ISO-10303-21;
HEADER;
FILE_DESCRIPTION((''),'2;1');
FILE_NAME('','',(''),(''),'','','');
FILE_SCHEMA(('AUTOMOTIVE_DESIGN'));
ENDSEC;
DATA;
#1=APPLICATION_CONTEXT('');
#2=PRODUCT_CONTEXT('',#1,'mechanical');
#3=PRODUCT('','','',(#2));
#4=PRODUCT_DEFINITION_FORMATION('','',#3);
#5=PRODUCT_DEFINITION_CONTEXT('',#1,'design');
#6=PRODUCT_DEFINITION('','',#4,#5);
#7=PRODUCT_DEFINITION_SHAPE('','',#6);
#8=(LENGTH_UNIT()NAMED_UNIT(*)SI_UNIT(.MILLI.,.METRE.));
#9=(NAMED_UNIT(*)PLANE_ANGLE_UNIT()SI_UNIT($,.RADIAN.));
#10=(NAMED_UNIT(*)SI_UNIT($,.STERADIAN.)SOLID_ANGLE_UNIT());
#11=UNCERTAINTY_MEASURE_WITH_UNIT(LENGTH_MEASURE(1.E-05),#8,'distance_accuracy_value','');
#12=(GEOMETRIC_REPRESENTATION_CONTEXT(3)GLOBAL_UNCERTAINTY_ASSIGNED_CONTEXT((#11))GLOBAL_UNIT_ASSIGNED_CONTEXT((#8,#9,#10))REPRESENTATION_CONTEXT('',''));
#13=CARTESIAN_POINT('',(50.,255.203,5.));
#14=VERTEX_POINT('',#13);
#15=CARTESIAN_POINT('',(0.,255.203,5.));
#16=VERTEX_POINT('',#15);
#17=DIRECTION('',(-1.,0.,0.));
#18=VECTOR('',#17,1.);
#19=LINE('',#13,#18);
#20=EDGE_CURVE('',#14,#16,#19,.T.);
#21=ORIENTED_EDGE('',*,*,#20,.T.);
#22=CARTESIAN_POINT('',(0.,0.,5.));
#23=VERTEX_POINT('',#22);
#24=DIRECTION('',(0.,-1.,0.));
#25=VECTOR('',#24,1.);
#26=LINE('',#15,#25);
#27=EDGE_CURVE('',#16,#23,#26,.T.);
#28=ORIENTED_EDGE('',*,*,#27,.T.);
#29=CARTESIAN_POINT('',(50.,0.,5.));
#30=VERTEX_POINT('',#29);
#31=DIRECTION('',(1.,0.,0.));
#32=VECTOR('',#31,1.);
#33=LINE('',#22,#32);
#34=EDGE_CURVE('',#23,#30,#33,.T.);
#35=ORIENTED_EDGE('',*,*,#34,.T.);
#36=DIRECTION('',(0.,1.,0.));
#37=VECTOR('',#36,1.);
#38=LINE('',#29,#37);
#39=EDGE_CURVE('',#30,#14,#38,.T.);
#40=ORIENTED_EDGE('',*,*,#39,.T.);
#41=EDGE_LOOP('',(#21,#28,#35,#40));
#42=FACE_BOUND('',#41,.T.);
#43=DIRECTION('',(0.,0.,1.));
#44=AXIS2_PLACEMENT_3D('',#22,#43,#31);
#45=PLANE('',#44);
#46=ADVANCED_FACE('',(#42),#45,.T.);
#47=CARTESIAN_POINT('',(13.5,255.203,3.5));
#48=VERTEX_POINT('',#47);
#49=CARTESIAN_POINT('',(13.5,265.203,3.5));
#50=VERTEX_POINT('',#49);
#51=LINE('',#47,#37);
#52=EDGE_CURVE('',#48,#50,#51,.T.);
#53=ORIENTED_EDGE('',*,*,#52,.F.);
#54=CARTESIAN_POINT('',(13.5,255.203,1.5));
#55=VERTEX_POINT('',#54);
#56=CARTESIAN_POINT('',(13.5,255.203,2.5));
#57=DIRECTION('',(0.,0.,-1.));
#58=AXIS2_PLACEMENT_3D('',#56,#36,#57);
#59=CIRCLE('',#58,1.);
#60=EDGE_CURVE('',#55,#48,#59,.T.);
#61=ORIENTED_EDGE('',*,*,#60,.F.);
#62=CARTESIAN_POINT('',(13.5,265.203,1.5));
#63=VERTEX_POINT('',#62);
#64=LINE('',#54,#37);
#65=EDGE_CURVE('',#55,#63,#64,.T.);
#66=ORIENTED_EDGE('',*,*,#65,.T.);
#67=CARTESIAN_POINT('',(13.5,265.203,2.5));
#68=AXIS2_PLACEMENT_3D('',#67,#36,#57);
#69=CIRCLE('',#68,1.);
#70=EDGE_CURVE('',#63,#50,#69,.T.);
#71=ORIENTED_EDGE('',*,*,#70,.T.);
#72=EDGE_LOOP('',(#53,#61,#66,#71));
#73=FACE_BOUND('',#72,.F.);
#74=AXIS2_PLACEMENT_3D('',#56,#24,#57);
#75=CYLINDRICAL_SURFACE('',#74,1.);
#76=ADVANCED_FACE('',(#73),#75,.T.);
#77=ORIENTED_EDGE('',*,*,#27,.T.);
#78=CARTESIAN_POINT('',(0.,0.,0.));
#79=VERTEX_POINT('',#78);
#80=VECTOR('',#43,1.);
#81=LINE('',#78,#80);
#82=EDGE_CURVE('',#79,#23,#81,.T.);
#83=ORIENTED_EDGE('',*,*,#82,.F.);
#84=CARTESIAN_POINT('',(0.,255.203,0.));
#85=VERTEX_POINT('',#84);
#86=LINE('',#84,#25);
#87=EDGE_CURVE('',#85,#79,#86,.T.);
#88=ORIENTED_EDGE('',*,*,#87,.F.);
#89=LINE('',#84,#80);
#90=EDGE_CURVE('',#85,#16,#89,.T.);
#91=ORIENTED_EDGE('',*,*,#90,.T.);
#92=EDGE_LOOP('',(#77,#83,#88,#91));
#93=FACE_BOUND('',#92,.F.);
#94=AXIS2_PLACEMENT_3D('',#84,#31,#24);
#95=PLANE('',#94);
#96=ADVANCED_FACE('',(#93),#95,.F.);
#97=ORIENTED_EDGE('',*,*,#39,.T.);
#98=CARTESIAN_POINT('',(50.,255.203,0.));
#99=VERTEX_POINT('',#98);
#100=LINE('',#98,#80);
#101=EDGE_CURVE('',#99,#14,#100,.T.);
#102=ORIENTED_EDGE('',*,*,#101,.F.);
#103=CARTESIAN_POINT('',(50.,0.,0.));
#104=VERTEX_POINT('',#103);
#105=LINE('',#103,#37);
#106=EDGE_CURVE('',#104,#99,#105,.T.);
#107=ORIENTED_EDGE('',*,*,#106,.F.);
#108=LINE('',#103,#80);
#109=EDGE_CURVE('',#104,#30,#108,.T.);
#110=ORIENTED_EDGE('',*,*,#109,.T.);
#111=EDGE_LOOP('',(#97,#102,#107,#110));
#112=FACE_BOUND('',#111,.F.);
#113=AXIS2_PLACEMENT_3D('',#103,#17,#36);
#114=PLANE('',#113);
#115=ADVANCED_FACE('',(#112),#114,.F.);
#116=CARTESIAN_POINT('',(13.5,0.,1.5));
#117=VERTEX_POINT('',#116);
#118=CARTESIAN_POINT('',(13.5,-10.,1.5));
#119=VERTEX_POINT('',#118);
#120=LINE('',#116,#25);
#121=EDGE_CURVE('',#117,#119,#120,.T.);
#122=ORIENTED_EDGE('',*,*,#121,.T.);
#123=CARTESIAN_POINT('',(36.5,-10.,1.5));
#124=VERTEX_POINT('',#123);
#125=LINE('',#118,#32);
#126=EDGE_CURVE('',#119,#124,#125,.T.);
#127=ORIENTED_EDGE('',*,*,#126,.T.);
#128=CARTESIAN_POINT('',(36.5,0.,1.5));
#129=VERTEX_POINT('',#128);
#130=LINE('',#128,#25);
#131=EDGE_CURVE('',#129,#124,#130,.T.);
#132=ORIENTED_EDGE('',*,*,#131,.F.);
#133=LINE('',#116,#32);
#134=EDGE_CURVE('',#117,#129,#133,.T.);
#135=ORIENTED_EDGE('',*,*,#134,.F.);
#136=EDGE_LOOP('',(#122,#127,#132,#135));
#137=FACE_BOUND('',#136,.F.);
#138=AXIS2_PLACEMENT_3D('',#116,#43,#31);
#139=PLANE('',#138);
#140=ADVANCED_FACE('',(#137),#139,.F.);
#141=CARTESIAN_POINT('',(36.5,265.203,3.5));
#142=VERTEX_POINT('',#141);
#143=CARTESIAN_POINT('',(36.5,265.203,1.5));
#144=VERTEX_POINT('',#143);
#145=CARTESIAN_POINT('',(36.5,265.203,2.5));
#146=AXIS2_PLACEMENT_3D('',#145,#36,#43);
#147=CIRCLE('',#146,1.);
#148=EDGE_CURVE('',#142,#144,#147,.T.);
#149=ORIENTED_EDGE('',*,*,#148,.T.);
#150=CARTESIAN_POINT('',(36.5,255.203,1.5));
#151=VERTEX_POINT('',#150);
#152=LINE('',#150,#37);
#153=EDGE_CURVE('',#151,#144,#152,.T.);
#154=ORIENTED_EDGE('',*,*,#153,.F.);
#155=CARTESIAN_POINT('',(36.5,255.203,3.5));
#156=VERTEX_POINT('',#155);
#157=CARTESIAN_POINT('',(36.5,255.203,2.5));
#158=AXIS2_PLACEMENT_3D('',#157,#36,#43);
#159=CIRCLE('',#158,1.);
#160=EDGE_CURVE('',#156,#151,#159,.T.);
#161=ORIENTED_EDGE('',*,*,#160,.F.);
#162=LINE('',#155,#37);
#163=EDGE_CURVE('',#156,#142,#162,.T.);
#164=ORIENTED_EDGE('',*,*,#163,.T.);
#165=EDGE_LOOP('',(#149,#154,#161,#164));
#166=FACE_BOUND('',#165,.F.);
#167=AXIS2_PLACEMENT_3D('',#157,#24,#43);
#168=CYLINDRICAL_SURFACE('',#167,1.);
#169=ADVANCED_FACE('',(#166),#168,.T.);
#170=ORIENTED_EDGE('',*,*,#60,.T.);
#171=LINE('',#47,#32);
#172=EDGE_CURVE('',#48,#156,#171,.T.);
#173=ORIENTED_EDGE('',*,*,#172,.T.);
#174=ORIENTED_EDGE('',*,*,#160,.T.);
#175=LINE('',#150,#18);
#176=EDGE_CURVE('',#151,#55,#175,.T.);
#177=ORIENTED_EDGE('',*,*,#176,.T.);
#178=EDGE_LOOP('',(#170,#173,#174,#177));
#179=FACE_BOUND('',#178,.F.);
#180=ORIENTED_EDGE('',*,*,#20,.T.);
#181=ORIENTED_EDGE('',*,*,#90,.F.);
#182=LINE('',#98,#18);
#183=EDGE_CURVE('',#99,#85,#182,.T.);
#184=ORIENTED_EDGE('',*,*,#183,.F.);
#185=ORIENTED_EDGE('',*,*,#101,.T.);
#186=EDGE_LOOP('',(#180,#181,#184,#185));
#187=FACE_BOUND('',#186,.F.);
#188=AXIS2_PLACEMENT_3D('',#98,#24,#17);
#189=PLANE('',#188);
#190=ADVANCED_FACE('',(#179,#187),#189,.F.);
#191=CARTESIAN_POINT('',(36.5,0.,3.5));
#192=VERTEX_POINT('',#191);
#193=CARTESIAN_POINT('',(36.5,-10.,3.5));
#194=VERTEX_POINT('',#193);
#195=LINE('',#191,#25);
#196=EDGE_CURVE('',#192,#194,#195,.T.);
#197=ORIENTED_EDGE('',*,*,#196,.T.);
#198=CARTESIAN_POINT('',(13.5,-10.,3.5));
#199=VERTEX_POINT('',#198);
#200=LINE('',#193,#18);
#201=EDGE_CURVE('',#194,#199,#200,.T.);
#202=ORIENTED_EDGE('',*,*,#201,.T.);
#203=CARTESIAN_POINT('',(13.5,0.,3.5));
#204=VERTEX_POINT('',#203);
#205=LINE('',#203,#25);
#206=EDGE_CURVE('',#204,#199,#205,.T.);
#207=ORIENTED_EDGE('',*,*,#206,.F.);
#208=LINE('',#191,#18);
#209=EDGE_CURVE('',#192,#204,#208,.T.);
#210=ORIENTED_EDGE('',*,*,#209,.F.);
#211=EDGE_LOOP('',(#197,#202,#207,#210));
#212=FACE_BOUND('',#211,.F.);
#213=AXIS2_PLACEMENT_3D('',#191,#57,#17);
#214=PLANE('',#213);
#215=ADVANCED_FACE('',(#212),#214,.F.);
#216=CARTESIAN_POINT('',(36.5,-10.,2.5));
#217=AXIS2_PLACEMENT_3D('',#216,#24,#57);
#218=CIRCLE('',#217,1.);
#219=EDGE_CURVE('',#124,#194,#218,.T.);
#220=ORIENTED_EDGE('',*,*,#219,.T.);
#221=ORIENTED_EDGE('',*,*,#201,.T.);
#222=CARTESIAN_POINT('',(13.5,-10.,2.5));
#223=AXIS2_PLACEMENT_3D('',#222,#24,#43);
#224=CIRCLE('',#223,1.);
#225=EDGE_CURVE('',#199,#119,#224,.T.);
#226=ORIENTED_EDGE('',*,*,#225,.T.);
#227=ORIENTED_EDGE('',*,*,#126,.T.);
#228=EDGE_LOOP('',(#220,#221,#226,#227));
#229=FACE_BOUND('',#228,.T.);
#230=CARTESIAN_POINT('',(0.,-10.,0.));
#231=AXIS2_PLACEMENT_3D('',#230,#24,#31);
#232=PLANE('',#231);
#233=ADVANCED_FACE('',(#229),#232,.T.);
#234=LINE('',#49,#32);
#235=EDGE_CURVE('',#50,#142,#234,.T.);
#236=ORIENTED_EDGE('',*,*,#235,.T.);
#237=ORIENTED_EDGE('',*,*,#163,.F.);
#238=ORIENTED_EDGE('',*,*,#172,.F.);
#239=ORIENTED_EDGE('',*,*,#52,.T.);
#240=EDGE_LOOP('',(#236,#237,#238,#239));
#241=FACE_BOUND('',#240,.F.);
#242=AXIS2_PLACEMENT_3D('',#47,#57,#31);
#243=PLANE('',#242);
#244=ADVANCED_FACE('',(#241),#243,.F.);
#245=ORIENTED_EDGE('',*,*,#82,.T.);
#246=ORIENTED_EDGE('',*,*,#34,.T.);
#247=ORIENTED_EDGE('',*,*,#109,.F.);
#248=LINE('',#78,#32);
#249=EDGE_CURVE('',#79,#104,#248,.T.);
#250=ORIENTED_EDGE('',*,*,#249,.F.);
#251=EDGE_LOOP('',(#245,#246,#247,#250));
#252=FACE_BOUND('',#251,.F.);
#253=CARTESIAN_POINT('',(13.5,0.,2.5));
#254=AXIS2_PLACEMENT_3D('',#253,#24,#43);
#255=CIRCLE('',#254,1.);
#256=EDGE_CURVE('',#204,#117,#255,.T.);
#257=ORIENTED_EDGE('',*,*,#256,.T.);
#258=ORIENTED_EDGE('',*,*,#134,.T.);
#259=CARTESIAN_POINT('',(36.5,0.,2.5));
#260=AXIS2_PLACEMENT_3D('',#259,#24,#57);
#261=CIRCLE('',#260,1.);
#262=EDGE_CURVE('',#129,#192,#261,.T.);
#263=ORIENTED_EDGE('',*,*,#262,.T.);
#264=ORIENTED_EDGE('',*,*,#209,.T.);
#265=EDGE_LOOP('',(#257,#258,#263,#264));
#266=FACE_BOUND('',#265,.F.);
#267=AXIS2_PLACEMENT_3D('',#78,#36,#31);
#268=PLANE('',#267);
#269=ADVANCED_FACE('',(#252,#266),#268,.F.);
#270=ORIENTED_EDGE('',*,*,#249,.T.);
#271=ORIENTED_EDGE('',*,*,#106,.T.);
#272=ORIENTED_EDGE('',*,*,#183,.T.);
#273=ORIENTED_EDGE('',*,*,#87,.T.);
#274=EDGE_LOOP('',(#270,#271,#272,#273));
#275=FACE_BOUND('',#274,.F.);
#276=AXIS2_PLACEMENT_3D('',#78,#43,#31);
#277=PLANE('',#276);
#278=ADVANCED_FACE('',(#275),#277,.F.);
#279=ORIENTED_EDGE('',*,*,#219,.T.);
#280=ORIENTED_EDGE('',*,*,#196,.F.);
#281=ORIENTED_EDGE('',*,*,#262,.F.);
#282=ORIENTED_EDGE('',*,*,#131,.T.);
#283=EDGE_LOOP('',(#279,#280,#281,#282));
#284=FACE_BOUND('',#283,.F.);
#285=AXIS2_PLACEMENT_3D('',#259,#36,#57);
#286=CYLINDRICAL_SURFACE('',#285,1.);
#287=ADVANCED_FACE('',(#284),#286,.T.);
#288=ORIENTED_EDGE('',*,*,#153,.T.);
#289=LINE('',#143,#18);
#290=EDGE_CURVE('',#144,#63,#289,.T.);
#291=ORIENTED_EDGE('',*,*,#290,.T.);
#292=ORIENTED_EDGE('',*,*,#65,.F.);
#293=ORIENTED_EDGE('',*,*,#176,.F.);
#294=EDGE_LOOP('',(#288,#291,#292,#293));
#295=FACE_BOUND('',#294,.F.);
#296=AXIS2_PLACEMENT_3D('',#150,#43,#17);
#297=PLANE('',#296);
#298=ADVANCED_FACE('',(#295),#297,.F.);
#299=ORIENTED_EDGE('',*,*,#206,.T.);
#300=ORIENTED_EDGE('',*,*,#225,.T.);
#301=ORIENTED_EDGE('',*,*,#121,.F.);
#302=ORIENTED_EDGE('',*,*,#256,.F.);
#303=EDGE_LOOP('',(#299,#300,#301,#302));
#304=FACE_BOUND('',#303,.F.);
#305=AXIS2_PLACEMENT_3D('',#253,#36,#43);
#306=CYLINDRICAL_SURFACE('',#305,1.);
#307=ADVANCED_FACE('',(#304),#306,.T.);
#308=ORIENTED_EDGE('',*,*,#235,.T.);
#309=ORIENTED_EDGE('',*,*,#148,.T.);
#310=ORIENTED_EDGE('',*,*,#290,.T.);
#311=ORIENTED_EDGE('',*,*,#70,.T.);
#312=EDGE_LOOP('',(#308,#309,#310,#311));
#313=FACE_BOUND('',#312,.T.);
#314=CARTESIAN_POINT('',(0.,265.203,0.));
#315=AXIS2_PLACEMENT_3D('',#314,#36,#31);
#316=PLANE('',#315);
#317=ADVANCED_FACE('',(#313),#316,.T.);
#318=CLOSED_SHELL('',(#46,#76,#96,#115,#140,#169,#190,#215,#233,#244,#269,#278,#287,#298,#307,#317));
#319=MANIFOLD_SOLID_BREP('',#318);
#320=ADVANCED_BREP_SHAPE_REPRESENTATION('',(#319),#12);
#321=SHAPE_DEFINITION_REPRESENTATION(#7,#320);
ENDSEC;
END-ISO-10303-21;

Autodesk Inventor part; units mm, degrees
ref_plane "YZ Plane" through (0, 0, 0) normal (1, 0, 0) x (0, 1, 0)
ref_plane "XZ Plane" through (0, 0, 0) normal (0, 1, 0) x (-1, 0, 0)
ref_plane "XY Plane" through (0, 0, 0) normal (0, 0, 1) x (1, 0, 0)
sketch "Sketch1" plane through (0, 0, 0) normal (0, 0, 1) x (1, 0, 0)
  line L0 (0, 0) -> (50, 0)
  line L1 (50, 0) -> (50, 255.203)
  line L2 (50, 255.203) -> (0, 255.203)
  line L3 (0, 255.203) -> (0, 0)
  dimension "d0" = 50
  dimension "d1" = 255.203
extrude "Extrusion1" add sketch "Sketch1" along normal blind 5
sketch "Sketch2" plane through (0, 0, 0) normal (0, -1, 0) x (1, 0, 0)
  line L0 (36.5, 2.5) -> (13.5, 2.5) construction
  line L1 (36.5, 3.5) -> (13.5, 3.5)
  line L2 (13.5, 1.5) -> (36.5, 1.5)
  arc A0 (36.5, 1.5) -> (36.5, 3.5) centre (36.5, 2.5) ccw
  arc A1 (13.5, 3.5) -> (13.5, 1.5) centre (13.5, 2.5) ccw
  line L3 (50, 0) -> (50, 5) projected
  point P0 (0, 0)
  point P1 (25, 2.5)
  point P2 (50, 2.5)
  point P3 (12.5, 2.5)
  point P4 (37.5, 2.5)
  dimension "d4" = 2
  dimension "d5" = 25
  dimension "d6" = 25
  dimension "d9" = 2.5
extrude "Extrusion2" add sketch "Sketch2" along normal blind 10
sketch "Sketch3" plane through (0, 255.203, 0) normal (0, 1, 0) x (1, 0, 0)
  line L0 (36.5, -2.5) -> (13.5, -2.5) construction
  line L1 (36.5, -1.5) -> (13.5, -1.5)
  line L2 (13.5, -3.5) -> (36.5, -3.5)
  arc A0 (36.5, -3.5) -> (36.5, -1.5) centre (36.5, -2.5) ccw
  arc A1 (13.5, -1.5) -> (13.5, -3.5) centre (13.5, -2.5) ccw
  point P0 (0, 0)
  point P1 (25, -2.5)
  point P2 (12.5, -2.5)
  point P3 (37.5, -2.5)
  dimension "d10" = 2
  dimension "d12" = 25
  dimension "d14" = 2.5
  dimension "d15" = 25
extrude "Extrusion3" add sketch "Sketch3" along normal blind 10
